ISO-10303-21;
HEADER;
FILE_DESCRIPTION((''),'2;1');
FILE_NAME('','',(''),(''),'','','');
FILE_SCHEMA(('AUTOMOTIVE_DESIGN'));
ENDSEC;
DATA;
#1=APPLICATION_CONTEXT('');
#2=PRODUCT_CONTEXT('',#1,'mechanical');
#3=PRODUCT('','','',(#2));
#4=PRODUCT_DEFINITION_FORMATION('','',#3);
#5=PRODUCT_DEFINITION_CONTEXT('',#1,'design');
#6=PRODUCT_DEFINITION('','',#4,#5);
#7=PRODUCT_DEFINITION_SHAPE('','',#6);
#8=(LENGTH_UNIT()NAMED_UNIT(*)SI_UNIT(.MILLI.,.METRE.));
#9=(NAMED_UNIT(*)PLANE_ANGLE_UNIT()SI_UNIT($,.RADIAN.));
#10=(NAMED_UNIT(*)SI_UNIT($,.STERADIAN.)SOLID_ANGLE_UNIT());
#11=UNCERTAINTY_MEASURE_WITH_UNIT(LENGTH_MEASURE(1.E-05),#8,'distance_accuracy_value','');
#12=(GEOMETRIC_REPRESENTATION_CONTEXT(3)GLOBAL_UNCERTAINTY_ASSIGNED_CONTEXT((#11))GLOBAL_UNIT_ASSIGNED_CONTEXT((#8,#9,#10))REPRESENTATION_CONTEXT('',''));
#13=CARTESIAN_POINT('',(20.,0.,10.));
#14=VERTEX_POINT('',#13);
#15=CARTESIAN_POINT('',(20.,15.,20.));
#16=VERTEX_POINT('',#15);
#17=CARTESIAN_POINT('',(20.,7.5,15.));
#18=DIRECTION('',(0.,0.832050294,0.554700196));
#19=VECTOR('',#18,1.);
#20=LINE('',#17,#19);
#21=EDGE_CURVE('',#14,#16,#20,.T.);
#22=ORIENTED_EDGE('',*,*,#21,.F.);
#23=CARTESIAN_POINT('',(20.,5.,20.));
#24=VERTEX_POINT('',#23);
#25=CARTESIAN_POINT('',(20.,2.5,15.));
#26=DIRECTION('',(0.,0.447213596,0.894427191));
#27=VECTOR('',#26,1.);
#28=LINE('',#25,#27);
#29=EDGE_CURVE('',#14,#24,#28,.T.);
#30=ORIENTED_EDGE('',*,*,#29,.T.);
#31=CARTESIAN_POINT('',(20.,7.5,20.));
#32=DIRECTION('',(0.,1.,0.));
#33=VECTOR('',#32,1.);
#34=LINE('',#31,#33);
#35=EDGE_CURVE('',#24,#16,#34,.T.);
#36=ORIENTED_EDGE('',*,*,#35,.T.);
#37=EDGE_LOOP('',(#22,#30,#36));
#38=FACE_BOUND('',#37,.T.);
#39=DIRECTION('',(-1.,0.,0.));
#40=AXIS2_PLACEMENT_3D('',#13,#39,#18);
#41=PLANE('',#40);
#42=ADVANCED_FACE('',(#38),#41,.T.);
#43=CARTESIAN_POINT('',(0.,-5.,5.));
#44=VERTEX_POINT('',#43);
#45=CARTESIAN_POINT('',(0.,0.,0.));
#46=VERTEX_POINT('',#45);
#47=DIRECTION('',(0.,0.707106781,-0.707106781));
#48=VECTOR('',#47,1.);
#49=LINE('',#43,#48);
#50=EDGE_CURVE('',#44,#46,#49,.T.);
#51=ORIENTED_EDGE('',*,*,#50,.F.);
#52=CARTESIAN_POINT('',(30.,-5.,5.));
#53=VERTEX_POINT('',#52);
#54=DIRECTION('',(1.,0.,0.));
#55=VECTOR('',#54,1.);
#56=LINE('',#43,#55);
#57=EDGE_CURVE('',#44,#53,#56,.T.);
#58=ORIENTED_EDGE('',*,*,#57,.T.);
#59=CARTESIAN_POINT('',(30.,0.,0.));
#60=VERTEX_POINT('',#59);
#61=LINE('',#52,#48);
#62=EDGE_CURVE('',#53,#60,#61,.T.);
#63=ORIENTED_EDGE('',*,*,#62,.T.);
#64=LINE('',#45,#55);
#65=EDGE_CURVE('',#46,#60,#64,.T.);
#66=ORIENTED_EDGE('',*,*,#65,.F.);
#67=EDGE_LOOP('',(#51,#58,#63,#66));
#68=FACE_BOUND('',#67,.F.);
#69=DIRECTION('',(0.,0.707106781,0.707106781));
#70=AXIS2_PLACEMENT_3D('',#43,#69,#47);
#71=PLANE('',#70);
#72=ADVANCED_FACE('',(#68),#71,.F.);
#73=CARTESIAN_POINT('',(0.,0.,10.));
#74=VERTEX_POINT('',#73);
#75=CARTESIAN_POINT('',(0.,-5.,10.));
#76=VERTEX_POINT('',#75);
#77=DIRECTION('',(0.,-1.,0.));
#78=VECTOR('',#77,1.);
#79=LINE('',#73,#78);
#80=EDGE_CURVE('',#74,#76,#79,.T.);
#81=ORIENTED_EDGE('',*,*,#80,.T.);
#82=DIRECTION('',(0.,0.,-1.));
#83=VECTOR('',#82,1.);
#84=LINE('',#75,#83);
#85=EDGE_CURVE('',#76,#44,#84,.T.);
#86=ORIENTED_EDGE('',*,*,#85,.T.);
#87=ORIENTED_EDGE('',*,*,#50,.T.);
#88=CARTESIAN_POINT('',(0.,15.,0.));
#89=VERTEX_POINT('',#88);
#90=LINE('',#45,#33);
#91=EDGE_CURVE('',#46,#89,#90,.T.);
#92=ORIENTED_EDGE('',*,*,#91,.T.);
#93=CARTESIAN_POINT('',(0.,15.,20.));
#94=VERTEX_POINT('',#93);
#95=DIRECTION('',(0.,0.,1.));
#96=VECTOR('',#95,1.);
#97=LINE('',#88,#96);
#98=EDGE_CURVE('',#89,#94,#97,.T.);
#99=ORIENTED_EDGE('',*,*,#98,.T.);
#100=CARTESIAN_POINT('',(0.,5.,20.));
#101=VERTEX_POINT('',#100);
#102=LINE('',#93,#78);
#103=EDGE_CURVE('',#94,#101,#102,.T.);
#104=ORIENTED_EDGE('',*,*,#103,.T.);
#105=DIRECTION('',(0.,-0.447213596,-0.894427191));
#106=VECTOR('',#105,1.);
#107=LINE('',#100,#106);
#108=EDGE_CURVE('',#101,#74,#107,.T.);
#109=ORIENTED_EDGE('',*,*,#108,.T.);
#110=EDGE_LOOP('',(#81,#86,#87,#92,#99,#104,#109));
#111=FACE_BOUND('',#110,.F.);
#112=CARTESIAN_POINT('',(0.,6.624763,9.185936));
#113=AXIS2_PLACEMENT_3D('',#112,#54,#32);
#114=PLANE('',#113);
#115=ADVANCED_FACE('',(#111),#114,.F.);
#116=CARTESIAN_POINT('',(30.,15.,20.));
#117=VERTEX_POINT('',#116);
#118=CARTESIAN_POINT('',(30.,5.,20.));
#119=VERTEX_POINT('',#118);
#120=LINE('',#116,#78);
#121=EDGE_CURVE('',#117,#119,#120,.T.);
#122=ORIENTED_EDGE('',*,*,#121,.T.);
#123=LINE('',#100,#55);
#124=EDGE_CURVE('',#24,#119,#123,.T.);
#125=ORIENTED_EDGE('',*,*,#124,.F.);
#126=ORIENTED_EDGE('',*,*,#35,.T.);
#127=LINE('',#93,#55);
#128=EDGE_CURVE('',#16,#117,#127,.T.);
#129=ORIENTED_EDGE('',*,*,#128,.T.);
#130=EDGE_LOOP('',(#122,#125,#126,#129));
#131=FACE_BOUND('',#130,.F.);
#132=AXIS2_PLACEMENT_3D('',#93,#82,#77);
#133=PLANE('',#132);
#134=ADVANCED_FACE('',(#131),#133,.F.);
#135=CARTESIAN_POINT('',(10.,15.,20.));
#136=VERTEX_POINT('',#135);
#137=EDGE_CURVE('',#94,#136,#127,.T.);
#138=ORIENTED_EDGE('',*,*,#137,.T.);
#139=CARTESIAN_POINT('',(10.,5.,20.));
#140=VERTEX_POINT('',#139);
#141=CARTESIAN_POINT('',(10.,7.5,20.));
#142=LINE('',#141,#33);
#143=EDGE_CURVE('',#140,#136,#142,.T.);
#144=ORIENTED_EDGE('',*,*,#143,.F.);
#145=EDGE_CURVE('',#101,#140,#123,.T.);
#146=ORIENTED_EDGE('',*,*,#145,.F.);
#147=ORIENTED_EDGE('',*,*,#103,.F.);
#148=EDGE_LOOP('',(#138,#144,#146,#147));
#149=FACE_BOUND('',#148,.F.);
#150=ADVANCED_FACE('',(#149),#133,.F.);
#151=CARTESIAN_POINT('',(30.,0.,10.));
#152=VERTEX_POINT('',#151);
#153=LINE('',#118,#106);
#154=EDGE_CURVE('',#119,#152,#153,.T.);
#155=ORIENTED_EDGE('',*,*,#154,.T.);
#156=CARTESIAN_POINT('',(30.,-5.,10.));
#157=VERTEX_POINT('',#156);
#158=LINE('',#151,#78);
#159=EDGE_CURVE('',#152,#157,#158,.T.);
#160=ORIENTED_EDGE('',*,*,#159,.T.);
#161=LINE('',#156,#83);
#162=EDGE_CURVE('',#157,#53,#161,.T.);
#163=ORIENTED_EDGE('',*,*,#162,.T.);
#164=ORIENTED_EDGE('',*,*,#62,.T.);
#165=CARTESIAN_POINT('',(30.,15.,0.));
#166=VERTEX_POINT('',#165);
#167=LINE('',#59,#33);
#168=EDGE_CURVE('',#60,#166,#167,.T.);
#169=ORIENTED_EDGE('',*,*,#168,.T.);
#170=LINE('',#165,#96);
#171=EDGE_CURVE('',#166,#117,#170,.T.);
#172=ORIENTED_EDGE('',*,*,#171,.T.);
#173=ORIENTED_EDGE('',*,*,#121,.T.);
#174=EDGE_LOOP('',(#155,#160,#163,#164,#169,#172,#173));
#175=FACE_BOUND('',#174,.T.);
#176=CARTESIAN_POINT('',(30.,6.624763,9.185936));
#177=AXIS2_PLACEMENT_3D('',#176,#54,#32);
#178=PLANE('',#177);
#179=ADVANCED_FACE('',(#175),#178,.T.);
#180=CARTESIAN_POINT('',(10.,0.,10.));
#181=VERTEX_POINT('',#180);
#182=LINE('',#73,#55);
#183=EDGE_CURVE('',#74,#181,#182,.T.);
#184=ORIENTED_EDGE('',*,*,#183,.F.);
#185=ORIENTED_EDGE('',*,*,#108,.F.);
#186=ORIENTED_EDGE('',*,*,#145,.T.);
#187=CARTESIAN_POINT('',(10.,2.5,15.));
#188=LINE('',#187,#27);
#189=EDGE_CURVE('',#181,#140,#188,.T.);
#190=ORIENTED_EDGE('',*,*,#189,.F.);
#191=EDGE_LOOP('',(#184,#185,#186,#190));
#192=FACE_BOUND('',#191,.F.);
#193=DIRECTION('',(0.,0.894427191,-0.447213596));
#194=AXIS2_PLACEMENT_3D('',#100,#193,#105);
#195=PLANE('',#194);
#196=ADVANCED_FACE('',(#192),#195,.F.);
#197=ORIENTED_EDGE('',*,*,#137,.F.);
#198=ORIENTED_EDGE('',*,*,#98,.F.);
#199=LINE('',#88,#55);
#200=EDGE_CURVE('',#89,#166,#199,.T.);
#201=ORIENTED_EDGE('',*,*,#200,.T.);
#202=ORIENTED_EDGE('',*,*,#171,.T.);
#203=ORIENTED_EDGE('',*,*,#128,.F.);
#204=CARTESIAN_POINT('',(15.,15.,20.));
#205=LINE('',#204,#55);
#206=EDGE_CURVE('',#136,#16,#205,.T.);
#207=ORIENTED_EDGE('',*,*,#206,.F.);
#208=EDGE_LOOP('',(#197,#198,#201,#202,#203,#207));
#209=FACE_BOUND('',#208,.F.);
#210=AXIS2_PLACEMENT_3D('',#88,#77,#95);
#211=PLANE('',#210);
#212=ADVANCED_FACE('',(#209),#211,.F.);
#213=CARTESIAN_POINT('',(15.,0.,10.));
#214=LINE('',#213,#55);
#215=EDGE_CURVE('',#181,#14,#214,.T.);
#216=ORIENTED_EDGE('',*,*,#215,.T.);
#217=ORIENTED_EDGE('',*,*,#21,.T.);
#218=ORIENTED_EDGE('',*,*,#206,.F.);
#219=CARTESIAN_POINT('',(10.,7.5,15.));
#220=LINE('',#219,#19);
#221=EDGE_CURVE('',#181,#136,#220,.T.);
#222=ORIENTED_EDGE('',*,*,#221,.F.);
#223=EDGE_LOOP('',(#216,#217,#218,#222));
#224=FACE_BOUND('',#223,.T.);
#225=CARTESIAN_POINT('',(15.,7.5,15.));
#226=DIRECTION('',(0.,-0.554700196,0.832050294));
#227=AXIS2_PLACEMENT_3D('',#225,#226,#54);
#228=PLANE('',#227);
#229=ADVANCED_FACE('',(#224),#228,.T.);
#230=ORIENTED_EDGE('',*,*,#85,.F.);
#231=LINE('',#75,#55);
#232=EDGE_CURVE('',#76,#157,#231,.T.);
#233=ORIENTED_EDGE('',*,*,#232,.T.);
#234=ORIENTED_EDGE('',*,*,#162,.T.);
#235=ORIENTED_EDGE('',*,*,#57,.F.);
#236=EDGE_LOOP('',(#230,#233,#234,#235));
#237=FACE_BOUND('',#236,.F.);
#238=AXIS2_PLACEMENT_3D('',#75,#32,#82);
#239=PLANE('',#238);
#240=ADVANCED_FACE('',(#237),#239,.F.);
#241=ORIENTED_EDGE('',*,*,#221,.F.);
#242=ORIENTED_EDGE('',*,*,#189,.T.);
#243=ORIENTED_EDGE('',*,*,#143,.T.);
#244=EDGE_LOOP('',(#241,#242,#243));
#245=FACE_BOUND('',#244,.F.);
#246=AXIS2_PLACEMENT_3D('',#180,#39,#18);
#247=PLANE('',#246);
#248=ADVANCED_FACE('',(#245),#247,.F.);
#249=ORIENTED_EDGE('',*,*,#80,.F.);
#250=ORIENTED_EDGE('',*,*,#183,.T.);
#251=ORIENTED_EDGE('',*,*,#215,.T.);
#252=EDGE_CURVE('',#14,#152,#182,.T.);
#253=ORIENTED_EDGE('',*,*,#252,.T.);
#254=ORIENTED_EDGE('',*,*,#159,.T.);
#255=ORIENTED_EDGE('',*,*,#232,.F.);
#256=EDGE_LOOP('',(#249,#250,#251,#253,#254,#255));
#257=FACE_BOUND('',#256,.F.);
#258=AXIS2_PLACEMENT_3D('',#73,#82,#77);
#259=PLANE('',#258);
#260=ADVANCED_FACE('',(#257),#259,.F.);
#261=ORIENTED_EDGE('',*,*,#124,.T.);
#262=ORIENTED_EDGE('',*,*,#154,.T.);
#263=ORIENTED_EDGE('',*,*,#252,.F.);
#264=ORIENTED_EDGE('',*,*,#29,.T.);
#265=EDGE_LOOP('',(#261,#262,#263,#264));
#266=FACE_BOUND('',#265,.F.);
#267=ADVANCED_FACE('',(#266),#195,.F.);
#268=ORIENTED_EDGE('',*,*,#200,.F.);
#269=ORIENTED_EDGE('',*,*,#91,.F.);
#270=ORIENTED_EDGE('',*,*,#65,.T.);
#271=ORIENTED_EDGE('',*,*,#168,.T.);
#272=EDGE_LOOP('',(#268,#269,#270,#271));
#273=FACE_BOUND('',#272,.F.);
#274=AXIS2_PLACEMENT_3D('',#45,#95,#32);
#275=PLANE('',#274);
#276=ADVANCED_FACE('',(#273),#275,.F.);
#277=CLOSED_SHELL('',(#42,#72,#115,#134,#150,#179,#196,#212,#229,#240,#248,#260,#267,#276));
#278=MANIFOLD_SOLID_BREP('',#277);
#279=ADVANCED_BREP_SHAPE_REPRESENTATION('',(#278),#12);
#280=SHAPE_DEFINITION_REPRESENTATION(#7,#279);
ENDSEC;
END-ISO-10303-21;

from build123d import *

# Parameters (mm, degrees)
F1_DEPTH = 30
F3_W     = 10
F3_H     = 18.0277563773
F4_DEPTH = 11.0950039245


with BuildPart() as f1:
    # F0 (on Right) → F1 (new body)
    with BuildSketch(Plane.YZ):
        Polygon((-5, 5), (0, 0), (15, 0), (15, 20), (5, 20), (0, 10), (-5, 10), align=None)
    extrude(amount=F1_DEPTH)

    # F3 (on 3pt) → F4 (cut, through all)
    with BuildSketch(Plane(origin=(0, -4.6153846154, 6.9230769231), x_dir=(1, 0, 0), z_dir=(0, -0.5547001962, 0.8320502943))):
        with Locations((15, 14.5608801509)):
            Rectangle(F3_W, F3_H)
    extrude(amount=F4_DEPTH, mode=Mode.SUBTRACT)


solid = f1.part
